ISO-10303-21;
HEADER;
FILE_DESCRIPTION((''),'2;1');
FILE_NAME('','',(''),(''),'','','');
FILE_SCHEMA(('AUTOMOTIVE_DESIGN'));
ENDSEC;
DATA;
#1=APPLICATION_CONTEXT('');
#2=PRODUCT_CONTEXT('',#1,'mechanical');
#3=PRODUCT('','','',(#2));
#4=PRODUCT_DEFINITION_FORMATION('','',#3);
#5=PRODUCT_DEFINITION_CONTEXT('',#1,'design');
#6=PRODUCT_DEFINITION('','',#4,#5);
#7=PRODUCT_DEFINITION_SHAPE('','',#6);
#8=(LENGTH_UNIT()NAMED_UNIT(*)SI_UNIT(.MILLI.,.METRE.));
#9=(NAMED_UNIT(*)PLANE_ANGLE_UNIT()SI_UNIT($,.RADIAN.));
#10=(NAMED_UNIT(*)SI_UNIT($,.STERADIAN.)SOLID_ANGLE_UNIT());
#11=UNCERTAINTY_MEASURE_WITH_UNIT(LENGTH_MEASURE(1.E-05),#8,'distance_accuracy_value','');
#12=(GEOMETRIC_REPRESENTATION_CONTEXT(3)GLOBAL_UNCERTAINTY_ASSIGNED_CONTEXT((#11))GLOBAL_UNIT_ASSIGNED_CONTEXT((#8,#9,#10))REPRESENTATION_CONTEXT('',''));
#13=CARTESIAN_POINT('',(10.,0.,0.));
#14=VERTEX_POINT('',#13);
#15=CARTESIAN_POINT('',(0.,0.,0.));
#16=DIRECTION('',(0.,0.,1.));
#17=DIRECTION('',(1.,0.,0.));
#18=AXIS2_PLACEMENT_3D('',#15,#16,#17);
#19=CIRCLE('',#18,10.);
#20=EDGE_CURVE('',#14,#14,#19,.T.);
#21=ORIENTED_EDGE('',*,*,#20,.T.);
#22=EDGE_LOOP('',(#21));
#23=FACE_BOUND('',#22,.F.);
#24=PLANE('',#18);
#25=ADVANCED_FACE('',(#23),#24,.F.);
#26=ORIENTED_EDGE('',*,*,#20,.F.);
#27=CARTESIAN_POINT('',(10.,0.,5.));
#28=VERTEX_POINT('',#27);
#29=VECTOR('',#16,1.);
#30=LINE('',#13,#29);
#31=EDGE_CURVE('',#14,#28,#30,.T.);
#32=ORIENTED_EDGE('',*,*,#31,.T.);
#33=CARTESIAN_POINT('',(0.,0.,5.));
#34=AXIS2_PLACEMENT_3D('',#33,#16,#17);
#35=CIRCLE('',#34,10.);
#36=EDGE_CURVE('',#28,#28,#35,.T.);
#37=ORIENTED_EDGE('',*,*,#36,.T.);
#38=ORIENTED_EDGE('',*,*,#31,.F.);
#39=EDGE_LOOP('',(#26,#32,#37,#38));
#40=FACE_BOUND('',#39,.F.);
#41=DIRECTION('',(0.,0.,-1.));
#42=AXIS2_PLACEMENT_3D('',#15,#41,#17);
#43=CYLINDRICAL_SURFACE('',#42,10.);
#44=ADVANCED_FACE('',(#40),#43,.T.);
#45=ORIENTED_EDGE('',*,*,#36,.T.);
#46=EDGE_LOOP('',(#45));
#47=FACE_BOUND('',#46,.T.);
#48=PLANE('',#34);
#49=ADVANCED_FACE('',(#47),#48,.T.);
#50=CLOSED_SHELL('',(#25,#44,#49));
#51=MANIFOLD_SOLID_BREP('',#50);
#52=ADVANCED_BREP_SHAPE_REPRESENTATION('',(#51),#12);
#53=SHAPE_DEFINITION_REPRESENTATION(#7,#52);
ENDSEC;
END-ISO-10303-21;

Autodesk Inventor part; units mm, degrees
ref_plane "YZ Plane" through (0, 0, 0) normal (1, 0, 0) x (0, 1, 0)
ref_plane "XZ Plane" through (0, 0, 0) normal (0, 1, 0) x (-1, 0, 0)
ref_plane "XY Plane" through (0, 0, 0) normal (0, 0, 1) x (1, 0, 0)
sketch "Sketch1" plane through (0, 0, 0) normal (0, 0, 1) x (1, 0, 0)
  circle A0 centre (0, 0) radius 10
  dimension "d0" = 20
extrude "Extrusion1" add sketch "Sketch1" along normal blind 5
properties part number "TServoGear V2"
